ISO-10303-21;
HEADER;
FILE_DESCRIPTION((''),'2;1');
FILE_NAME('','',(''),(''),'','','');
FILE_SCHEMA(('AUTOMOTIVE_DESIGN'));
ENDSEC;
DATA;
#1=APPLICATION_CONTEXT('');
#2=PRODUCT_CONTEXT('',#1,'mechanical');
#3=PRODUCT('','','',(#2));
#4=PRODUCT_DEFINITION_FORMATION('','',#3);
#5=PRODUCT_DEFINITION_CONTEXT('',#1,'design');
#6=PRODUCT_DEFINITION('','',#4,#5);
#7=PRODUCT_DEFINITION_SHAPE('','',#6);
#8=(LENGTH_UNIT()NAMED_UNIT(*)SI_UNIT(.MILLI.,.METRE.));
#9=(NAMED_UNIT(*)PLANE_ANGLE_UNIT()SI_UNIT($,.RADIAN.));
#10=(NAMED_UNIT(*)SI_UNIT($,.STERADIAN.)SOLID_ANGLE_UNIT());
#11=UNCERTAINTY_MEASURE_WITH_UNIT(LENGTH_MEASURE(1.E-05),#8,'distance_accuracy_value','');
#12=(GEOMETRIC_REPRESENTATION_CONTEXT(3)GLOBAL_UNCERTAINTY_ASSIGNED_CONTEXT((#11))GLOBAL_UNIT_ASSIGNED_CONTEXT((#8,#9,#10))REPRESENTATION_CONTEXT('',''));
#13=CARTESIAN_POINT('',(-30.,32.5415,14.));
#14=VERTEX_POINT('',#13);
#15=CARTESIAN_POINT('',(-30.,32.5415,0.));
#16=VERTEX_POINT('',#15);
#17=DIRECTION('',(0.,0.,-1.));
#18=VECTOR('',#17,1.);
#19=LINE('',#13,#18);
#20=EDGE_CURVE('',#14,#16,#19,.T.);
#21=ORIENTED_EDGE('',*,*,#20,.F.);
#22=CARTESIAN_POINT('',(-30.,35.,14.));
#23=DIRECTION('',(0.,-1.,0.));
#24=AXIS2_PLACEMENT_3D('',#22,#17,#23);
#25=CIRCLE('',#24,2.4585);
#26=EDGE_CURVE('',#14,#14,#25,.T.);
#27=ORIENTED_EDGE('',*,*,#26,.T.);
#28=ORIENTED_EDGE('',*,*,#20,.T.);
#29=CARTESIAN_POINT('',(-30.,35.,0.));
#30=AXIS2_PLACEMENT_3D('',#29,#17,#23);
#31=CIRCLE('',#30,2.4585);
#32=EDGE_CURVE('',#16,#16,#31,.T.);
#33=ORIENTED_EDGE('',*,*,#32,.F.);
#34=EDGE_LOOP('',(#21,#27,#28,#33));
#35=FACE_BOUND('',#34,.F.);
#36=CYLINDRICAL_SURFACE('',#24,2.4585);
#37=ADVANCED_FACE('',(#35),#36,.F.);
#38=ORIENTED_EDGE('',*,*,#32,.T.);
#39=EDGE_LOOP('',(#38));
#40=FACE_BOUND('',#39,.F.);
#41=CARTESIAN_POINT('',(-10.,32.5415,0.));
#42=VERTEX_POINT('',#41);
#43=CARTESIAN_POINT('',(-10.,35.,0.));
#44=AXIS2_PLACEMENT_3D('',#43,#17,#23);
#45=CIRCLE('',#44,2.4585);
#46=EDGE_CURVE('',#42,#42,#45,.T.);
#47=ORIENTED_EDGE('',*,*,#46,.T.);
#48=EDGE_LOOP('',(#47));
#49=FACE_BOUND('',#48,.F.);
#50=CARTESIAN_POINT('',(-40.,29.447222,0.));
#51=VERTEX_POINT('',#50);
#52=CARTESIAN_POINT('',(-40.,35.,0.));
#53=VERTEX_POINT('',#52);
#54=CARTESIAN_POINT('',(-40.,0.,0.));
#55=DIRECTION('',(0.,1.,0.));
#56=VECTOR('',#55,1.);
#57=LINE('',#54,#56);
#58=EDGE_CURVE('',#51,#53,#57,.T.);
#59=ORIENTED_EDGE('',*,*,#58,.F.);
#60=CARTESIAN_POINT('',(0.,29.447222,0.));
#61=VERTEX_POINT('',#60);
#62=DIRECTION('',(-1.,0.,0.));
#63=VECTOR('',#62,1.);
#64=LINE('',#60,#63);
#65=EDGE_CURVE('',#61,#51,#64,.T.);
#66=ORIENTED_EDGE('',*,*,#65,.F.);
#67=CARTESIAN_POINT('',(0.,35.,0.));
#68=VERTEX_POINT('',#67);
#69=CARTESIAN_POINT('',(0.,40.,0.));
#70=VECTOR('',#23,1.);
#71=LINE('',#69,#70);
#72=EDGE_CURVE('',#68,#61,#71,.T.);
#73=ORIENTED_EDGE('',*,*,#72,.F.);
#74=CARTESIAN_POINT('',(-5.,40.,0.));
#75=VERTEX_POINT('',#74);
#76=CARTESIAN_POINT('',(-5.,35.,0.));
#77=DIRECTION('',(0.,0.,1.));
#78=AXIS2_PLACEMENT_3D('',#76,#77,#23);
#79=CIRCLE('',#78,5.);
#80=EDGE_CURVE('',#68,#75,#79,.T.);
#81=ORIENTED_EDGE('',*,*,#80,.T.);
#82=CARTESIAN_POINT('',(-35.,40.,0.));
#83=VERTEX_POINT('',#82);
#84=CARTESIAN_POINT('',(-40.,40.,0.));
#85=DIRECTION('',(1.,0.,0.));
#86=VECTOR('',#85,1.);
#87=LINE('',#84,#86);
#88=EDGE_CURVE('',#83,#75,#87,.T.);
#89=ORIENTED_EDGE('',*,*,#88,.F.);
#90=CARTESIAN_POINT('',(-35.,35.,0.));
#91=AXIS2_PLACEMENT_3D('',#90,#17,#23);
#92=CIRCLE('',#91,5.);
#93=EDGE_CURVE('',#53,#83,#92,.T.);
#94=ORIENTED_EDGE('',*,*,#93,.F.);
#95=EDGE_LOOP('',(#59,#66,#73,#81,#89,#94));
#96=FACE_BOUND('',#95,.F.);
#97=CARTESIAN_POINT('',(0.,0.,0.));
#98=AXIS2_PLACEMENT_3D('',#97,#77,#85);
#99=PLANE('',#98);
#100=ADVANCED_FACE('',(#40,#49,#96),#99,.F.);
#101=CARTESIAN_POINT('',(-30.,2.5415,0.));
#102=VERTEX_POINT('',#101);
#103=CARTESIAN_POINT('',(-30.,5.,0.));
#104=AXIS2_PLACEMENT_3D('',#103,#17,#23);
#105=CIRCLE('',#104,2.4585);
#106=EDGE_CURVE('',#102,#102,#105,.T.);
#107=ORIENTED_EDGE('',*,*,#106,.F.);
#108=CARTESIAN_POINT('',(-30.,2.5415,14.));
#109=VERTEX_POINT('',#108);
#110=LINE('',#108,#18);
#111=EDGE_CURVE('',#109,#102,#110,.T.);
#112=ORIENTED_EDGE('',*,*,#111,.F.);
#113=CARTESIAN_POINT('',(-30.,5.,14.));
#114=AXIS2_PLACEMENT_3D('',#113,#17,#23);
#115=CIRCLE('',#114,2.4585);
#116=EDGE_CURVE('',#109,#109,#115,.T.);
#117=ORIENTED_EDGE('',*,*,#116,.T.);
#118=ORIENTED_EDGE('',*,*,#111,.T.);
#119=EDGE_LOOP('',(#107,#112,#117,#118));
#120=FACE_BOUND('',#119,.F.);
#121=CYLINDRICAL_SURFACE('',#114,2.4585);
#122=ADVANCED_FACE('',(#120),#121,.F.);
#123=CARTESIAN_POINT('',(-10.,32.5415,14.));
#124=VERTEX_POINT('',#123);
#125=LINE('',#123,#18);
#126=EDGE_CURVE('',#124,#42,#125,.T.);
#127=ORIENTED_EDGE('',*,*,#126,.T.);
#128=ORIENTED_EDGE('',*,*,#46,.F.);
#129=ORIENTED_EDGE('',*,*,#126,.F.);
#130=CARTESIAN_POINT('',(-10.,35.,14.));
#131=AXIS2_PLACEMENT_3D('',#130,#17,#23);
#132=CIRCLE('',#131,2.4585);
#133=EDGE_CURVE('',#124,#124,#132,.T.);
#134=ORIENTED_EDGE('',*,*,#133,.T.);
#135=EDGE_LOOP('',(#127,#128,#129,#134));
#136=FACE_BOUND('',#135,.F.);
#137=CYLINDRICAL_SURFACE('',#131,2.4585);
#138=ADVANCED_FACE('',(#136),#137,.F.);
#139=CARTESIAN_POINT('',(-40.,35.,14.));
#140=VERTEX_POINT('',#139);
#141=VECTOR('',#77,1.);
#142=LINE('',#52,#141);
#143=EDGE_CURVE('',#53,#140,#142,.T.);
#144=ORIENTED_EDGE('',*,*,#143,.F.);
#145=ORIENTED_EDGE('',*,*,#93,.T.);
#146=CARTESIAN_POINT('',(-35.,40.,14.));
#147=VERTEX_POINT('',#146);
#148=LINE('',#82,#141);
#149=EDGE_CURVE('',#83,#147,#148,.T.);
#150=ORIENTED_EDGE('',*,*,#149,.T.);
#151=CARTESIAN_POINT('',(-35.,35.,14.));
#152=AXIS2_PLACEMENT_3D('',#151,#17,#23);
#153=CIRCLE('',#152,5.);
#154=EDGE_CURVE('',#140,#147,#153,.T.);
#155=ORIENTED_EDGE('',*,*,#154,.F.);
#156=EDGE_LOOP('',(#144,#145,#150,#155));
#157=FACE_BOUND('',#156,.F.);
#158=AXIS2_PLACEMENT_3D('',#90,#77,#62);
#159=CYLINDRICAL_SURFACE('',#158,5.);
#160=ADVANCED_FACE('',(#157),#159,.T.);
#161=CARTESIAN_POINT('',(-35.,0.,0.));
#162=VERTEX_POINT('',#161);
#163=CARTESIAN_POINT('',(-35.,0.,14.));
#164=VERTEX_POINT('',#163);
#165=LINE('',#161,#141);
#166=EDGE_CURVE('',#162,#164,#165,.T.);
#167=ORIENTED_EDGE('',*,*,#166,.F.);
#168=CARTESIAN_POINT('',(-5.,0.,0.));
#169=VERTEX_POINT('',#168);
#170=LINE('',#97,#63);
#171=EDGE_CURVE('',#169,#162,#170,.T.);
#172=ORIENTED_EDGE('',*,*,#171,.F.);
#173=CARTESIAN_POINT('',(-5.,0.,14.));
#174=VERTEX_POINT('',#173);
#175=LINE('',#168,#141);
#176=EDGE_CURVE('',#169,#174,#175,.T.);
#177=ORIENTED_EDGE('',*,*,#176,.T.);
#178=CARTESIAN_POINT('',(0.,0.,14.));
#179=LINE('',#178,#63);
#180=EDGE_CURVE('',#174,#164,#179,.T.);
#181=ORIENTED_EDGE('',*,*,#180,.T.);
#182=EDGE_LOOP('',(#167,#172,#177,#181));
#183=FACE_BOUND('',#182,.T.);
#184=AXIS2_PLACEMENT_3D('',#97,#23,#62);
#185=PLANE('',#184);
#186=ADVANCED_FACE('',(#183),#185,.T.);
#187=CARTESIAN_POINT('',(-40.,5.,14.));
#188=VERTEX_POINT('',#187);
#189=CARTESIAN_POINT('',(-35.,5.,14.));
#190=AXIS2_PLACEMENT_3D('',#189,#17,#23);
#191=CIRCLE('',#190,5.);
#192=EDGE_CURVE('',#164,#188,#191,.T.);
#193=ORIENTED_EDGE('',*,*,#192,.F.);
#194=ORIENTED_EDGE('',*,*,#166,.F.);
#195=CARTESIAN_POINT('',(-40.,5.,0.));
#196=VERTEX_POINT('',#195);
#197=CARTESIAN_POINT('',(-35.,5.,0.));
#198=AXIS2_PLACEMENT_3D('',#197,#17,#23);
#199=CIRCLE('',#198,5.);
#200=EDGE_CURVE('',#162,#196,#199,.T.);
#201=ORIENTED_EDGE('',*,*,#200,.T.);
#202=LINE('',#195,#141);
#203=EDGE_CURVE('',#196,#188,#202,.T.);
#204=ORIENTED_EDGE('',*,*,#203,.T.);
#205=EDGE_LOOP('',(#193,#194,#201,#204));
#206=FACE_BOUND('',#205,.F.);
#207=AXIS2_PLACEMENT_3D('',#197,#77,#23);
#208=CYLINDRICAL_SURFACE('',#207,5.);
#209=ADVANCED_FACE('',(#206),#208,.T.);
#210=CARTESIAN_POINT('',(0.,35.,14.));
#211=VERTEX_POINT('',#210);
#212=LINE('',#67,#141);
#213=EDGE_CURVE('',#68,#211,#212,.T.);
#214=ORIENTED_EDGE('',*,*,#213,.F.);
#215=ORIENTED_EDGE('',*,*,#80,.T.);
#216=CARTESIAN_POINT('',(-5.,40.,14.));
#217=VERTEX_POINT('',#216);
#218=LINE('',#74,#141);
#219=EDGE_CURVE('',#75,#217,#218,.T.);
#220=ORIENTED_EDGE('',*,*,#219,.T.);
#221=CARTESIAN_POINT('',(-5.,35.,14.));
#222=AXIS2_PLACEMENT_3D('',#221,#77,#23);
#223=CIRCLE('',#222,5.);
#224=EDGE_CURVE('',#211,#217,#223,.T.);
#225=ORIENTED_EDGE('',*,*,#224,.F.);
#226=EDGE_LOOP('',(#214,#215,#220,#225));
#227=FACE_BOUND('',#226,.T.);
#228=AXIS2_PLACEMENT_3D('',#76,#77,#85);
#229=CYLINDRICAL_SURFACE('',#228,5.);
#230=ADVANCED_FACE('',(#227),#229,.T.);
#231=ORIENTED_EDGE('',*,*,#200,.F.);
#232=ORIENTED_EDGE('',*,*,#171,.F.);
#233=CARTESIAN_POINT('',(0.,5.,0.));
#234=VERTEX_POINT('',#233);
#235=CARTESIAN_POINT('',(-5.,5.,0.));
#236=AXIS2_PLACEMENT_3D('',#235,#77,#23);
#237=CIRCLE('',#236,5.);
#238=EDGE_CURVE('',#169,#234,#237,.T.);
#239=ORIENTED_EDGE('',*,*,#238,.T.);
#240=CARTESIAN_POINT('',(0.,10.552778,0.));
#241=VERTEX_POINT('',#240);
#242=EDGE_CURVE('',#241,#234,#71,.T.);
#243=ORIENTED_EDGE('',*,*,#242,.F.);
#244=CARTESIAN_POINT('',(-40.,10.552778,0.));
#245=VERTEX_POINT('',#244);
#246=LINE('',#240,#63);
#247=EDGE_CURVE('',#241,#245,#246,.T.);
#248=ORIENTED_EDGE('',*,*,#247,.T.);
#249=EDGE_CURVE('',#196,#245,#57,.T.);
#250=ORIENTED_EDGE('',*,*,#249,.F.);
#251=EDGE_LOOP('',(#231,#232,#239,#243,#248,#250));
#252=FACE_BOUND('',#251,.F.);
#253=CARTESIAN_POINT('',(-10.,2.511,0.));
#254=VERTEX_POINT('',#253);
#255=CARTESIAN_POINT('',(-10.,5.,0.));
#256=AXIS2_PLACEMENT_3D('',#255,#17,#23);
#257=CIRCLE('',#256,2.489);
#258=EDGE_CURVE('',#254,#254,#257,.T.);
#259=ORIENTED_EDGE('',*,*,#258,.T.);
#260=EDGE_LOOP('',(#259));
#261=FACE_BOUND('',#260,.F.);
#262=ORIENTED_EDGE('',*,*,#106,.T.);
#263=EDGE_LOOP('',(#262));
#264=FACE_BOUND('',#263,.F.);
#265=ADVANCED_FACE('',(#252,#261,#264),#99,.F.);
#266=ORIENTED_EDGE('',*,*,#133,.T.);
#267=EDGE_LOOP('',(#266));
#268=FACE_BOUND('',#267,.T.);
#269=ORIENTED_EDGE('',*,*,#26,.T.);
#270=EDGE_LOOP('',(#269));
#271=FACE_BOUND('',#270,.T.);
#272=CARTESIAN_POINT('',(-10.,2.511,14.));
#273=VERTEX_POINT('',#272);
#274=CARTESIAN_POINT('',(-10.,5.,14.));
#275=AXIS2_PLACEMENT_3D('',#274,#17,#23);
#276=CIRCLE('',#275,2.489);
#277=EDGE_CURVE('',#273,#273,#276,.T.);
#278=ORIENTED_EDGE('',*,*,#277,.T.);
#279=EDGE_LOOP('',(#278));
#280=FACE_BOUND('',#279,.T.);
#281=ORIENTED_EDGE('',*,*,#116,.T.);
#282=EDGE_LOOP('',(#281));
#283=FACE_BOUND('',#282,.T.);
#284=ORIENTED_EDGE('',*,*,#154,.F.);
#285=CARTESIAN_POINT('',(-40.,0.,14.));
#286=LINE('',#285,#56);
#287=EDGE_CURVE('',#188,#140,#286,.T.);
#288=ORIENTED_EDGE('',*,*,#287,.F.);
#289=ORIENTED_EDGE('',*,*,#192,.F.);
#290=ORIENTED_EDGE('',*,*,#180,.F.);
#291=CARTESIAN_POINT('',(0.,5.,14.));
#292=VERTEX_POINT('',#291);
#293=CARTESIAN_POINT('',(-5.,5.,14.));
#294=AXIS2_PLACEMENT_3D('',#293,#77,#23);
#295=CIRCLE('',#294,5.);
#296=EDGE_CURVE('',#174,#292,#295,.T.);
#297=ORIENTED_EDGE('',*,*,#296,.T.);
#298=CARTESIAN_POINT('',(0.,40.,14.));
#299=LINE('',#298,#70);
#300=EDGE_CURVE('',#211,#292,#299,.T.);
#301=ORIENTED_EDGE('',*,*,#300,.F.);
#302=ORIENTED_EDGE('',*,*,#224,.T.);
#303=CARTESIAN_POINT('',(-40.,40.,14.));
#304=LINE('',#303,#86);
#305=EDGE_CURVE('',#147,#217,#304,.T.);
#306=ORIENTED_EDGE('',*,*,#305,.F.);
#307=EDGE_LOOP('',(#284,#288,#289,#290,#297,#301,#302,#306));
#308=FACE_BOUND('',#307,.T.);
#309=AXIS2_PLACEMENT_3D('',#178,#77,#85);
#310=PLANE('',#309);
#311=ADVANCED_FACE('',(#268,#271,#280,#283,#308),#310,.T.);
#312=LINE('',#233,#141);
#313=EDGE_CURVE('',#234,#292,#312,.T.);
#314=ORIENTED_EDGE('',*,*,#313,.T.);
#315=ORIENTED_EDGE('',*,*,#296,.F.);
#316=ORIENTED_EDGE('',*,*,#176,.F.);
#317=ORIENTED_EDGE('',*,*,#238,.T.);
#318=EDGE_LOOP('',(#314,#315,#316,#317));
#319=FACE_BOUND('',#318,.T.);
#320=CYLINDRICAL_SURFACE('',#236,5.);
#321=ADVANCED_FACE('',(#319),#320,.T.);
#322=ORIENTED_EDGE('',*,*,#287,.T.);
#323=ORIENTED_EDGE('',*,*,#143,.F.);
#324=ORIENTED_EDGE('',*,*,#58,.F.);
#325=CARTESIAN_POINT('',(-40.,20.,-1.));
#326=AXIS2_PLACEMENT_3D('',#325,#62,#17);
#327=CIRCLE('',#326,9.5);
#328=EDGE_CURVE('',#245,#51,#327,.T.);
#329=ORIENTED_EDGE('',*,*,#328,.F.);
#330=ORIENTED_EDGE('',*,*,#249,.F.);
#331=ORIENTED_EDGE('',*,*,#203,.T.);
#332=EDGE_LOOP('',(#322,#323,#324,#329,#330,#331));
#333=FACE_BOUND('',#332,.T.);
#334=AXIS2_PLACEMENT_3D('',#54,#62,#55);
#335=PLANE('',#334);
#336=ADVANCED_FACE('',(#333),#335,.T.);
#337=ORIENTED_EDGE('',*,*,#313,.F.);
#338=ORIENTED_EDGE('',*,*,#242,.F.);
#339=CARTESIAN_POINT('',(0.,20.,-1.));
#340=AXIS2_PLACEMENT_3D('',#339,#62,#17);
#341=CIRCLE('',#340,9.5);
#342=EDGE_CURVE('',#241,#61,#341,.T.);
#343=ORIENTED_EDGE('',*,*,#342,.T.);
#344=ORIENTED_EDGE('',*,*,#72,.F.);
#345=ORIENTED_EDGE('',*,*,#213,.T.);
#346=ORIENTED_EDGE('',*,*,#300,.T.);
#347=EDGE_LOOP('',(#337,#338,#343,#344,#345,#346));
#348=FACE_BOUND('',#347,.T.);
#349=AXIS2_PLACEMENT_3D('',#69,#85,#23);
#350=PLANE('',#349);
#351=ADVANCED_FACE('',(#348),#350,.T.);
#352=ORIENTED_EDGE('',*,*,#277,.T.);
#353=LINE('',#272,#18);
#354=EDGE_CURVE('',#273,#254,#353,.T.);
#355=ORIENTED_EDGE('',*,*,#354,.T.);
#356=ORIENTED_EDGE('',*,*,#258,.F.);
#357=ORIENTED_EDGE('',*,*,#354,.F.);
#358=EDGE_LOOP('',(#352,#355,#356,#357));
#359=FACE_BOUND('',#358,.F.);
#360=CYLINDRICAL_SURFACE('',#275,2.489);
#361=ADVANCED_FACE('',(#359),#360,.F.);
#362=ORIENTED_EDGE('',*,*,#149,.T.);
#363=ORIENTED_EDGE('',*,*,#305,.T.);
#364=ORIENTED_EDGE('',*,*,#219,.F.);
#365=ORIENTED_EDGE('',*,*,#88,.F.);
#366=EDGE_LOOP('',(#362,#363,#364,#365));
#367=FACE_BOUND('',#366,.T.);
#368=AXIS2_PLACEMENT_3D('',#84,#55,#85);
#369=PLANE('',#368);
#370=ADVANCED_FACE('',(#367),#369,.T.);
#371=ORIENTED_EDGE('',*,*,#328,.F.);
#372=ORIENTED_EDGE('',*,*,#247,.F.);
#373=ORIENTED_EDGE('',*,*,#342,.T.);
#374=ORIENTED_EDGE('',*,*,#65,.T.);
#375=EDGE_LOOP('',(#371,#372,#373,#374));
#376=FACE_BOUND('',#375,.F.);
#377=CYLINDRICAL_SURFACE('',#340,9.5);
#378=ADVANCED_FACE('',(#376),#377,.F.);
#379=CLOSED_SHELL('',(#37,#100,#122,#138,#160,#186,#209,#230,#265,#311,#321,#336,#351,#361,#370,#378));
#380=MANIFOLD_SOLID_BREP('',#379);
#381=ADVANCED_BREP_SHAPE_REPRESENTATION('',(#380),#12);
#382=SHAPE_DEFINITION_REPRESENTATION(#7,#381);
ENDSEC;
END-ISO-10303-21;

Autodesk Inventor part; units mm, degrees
ref_plane "YZ Plane" through (0, 0, 0) normal (1, 0, 0) x (0, 1, 0)
ref_plane "XZ Plane" through (0, 0, 0) normal (0, 1, 0) x (-1, 0, 0)
ref_plane "XY Plane" through (0, 0, 0) normal (0, 0, 1) x (1, 0, 0)
sketch "Sketch4" plane through (0, 0, 0) normal (0, 0, 1) x (1, 0, 0)
  line L0 (0, 0) -> (-40, 0)
  line L1 (-40, 0) -> (-40, 40)
  line L2 (-40, 40) -> (0, 40)
  line L3 (0, 40) -> (0, 0)
  dimension "d37" = 40
  dimension "d38" = 40
extrude "Extrusion2" add sketch "Sketch4" along normal blind 14
hole "Hole3" at (-30, 35, 14) direction (0, 0, -1) diameter 4.917 depth 17.1 tip angle 118 thread size "M6x1" class "6H" standard "ISO Metric profile"
hole "Hole4" at (-10, 35, 14) direction (0, 0, -1) diameter 4.917 depth 17.1 tip angle 118 thread size "M6x1" class "6H" standard "ANSI Metric M Profile"
hole "Hole5" at (-10, 5, 14) direction (0, 0, -1) diameter 4.978 depth 19.05 tip angle 118 thread size "1/4-20 UNC" class "2B" standard "ANSI Unified Screw Threads"
hole "Hole6" at (-30, 5, 14) direction (0, 0, -1) diameter 4.917 depth 17.1 tip angle 118 thread size "M6x1" class "6H" standard "ANSI Metric M Profile"
hole "Hole7" at (0, 20, -1) direction (-1, 0, 0) diameter 19 end through all
fillet "Fillet1" radius 5 4 edges at (-40, 40, 7) (0, 40, 7) (0, 0, 7) (-40, 0, 7)
properties part number "GARFO" material "Aluminium AW-7020"
